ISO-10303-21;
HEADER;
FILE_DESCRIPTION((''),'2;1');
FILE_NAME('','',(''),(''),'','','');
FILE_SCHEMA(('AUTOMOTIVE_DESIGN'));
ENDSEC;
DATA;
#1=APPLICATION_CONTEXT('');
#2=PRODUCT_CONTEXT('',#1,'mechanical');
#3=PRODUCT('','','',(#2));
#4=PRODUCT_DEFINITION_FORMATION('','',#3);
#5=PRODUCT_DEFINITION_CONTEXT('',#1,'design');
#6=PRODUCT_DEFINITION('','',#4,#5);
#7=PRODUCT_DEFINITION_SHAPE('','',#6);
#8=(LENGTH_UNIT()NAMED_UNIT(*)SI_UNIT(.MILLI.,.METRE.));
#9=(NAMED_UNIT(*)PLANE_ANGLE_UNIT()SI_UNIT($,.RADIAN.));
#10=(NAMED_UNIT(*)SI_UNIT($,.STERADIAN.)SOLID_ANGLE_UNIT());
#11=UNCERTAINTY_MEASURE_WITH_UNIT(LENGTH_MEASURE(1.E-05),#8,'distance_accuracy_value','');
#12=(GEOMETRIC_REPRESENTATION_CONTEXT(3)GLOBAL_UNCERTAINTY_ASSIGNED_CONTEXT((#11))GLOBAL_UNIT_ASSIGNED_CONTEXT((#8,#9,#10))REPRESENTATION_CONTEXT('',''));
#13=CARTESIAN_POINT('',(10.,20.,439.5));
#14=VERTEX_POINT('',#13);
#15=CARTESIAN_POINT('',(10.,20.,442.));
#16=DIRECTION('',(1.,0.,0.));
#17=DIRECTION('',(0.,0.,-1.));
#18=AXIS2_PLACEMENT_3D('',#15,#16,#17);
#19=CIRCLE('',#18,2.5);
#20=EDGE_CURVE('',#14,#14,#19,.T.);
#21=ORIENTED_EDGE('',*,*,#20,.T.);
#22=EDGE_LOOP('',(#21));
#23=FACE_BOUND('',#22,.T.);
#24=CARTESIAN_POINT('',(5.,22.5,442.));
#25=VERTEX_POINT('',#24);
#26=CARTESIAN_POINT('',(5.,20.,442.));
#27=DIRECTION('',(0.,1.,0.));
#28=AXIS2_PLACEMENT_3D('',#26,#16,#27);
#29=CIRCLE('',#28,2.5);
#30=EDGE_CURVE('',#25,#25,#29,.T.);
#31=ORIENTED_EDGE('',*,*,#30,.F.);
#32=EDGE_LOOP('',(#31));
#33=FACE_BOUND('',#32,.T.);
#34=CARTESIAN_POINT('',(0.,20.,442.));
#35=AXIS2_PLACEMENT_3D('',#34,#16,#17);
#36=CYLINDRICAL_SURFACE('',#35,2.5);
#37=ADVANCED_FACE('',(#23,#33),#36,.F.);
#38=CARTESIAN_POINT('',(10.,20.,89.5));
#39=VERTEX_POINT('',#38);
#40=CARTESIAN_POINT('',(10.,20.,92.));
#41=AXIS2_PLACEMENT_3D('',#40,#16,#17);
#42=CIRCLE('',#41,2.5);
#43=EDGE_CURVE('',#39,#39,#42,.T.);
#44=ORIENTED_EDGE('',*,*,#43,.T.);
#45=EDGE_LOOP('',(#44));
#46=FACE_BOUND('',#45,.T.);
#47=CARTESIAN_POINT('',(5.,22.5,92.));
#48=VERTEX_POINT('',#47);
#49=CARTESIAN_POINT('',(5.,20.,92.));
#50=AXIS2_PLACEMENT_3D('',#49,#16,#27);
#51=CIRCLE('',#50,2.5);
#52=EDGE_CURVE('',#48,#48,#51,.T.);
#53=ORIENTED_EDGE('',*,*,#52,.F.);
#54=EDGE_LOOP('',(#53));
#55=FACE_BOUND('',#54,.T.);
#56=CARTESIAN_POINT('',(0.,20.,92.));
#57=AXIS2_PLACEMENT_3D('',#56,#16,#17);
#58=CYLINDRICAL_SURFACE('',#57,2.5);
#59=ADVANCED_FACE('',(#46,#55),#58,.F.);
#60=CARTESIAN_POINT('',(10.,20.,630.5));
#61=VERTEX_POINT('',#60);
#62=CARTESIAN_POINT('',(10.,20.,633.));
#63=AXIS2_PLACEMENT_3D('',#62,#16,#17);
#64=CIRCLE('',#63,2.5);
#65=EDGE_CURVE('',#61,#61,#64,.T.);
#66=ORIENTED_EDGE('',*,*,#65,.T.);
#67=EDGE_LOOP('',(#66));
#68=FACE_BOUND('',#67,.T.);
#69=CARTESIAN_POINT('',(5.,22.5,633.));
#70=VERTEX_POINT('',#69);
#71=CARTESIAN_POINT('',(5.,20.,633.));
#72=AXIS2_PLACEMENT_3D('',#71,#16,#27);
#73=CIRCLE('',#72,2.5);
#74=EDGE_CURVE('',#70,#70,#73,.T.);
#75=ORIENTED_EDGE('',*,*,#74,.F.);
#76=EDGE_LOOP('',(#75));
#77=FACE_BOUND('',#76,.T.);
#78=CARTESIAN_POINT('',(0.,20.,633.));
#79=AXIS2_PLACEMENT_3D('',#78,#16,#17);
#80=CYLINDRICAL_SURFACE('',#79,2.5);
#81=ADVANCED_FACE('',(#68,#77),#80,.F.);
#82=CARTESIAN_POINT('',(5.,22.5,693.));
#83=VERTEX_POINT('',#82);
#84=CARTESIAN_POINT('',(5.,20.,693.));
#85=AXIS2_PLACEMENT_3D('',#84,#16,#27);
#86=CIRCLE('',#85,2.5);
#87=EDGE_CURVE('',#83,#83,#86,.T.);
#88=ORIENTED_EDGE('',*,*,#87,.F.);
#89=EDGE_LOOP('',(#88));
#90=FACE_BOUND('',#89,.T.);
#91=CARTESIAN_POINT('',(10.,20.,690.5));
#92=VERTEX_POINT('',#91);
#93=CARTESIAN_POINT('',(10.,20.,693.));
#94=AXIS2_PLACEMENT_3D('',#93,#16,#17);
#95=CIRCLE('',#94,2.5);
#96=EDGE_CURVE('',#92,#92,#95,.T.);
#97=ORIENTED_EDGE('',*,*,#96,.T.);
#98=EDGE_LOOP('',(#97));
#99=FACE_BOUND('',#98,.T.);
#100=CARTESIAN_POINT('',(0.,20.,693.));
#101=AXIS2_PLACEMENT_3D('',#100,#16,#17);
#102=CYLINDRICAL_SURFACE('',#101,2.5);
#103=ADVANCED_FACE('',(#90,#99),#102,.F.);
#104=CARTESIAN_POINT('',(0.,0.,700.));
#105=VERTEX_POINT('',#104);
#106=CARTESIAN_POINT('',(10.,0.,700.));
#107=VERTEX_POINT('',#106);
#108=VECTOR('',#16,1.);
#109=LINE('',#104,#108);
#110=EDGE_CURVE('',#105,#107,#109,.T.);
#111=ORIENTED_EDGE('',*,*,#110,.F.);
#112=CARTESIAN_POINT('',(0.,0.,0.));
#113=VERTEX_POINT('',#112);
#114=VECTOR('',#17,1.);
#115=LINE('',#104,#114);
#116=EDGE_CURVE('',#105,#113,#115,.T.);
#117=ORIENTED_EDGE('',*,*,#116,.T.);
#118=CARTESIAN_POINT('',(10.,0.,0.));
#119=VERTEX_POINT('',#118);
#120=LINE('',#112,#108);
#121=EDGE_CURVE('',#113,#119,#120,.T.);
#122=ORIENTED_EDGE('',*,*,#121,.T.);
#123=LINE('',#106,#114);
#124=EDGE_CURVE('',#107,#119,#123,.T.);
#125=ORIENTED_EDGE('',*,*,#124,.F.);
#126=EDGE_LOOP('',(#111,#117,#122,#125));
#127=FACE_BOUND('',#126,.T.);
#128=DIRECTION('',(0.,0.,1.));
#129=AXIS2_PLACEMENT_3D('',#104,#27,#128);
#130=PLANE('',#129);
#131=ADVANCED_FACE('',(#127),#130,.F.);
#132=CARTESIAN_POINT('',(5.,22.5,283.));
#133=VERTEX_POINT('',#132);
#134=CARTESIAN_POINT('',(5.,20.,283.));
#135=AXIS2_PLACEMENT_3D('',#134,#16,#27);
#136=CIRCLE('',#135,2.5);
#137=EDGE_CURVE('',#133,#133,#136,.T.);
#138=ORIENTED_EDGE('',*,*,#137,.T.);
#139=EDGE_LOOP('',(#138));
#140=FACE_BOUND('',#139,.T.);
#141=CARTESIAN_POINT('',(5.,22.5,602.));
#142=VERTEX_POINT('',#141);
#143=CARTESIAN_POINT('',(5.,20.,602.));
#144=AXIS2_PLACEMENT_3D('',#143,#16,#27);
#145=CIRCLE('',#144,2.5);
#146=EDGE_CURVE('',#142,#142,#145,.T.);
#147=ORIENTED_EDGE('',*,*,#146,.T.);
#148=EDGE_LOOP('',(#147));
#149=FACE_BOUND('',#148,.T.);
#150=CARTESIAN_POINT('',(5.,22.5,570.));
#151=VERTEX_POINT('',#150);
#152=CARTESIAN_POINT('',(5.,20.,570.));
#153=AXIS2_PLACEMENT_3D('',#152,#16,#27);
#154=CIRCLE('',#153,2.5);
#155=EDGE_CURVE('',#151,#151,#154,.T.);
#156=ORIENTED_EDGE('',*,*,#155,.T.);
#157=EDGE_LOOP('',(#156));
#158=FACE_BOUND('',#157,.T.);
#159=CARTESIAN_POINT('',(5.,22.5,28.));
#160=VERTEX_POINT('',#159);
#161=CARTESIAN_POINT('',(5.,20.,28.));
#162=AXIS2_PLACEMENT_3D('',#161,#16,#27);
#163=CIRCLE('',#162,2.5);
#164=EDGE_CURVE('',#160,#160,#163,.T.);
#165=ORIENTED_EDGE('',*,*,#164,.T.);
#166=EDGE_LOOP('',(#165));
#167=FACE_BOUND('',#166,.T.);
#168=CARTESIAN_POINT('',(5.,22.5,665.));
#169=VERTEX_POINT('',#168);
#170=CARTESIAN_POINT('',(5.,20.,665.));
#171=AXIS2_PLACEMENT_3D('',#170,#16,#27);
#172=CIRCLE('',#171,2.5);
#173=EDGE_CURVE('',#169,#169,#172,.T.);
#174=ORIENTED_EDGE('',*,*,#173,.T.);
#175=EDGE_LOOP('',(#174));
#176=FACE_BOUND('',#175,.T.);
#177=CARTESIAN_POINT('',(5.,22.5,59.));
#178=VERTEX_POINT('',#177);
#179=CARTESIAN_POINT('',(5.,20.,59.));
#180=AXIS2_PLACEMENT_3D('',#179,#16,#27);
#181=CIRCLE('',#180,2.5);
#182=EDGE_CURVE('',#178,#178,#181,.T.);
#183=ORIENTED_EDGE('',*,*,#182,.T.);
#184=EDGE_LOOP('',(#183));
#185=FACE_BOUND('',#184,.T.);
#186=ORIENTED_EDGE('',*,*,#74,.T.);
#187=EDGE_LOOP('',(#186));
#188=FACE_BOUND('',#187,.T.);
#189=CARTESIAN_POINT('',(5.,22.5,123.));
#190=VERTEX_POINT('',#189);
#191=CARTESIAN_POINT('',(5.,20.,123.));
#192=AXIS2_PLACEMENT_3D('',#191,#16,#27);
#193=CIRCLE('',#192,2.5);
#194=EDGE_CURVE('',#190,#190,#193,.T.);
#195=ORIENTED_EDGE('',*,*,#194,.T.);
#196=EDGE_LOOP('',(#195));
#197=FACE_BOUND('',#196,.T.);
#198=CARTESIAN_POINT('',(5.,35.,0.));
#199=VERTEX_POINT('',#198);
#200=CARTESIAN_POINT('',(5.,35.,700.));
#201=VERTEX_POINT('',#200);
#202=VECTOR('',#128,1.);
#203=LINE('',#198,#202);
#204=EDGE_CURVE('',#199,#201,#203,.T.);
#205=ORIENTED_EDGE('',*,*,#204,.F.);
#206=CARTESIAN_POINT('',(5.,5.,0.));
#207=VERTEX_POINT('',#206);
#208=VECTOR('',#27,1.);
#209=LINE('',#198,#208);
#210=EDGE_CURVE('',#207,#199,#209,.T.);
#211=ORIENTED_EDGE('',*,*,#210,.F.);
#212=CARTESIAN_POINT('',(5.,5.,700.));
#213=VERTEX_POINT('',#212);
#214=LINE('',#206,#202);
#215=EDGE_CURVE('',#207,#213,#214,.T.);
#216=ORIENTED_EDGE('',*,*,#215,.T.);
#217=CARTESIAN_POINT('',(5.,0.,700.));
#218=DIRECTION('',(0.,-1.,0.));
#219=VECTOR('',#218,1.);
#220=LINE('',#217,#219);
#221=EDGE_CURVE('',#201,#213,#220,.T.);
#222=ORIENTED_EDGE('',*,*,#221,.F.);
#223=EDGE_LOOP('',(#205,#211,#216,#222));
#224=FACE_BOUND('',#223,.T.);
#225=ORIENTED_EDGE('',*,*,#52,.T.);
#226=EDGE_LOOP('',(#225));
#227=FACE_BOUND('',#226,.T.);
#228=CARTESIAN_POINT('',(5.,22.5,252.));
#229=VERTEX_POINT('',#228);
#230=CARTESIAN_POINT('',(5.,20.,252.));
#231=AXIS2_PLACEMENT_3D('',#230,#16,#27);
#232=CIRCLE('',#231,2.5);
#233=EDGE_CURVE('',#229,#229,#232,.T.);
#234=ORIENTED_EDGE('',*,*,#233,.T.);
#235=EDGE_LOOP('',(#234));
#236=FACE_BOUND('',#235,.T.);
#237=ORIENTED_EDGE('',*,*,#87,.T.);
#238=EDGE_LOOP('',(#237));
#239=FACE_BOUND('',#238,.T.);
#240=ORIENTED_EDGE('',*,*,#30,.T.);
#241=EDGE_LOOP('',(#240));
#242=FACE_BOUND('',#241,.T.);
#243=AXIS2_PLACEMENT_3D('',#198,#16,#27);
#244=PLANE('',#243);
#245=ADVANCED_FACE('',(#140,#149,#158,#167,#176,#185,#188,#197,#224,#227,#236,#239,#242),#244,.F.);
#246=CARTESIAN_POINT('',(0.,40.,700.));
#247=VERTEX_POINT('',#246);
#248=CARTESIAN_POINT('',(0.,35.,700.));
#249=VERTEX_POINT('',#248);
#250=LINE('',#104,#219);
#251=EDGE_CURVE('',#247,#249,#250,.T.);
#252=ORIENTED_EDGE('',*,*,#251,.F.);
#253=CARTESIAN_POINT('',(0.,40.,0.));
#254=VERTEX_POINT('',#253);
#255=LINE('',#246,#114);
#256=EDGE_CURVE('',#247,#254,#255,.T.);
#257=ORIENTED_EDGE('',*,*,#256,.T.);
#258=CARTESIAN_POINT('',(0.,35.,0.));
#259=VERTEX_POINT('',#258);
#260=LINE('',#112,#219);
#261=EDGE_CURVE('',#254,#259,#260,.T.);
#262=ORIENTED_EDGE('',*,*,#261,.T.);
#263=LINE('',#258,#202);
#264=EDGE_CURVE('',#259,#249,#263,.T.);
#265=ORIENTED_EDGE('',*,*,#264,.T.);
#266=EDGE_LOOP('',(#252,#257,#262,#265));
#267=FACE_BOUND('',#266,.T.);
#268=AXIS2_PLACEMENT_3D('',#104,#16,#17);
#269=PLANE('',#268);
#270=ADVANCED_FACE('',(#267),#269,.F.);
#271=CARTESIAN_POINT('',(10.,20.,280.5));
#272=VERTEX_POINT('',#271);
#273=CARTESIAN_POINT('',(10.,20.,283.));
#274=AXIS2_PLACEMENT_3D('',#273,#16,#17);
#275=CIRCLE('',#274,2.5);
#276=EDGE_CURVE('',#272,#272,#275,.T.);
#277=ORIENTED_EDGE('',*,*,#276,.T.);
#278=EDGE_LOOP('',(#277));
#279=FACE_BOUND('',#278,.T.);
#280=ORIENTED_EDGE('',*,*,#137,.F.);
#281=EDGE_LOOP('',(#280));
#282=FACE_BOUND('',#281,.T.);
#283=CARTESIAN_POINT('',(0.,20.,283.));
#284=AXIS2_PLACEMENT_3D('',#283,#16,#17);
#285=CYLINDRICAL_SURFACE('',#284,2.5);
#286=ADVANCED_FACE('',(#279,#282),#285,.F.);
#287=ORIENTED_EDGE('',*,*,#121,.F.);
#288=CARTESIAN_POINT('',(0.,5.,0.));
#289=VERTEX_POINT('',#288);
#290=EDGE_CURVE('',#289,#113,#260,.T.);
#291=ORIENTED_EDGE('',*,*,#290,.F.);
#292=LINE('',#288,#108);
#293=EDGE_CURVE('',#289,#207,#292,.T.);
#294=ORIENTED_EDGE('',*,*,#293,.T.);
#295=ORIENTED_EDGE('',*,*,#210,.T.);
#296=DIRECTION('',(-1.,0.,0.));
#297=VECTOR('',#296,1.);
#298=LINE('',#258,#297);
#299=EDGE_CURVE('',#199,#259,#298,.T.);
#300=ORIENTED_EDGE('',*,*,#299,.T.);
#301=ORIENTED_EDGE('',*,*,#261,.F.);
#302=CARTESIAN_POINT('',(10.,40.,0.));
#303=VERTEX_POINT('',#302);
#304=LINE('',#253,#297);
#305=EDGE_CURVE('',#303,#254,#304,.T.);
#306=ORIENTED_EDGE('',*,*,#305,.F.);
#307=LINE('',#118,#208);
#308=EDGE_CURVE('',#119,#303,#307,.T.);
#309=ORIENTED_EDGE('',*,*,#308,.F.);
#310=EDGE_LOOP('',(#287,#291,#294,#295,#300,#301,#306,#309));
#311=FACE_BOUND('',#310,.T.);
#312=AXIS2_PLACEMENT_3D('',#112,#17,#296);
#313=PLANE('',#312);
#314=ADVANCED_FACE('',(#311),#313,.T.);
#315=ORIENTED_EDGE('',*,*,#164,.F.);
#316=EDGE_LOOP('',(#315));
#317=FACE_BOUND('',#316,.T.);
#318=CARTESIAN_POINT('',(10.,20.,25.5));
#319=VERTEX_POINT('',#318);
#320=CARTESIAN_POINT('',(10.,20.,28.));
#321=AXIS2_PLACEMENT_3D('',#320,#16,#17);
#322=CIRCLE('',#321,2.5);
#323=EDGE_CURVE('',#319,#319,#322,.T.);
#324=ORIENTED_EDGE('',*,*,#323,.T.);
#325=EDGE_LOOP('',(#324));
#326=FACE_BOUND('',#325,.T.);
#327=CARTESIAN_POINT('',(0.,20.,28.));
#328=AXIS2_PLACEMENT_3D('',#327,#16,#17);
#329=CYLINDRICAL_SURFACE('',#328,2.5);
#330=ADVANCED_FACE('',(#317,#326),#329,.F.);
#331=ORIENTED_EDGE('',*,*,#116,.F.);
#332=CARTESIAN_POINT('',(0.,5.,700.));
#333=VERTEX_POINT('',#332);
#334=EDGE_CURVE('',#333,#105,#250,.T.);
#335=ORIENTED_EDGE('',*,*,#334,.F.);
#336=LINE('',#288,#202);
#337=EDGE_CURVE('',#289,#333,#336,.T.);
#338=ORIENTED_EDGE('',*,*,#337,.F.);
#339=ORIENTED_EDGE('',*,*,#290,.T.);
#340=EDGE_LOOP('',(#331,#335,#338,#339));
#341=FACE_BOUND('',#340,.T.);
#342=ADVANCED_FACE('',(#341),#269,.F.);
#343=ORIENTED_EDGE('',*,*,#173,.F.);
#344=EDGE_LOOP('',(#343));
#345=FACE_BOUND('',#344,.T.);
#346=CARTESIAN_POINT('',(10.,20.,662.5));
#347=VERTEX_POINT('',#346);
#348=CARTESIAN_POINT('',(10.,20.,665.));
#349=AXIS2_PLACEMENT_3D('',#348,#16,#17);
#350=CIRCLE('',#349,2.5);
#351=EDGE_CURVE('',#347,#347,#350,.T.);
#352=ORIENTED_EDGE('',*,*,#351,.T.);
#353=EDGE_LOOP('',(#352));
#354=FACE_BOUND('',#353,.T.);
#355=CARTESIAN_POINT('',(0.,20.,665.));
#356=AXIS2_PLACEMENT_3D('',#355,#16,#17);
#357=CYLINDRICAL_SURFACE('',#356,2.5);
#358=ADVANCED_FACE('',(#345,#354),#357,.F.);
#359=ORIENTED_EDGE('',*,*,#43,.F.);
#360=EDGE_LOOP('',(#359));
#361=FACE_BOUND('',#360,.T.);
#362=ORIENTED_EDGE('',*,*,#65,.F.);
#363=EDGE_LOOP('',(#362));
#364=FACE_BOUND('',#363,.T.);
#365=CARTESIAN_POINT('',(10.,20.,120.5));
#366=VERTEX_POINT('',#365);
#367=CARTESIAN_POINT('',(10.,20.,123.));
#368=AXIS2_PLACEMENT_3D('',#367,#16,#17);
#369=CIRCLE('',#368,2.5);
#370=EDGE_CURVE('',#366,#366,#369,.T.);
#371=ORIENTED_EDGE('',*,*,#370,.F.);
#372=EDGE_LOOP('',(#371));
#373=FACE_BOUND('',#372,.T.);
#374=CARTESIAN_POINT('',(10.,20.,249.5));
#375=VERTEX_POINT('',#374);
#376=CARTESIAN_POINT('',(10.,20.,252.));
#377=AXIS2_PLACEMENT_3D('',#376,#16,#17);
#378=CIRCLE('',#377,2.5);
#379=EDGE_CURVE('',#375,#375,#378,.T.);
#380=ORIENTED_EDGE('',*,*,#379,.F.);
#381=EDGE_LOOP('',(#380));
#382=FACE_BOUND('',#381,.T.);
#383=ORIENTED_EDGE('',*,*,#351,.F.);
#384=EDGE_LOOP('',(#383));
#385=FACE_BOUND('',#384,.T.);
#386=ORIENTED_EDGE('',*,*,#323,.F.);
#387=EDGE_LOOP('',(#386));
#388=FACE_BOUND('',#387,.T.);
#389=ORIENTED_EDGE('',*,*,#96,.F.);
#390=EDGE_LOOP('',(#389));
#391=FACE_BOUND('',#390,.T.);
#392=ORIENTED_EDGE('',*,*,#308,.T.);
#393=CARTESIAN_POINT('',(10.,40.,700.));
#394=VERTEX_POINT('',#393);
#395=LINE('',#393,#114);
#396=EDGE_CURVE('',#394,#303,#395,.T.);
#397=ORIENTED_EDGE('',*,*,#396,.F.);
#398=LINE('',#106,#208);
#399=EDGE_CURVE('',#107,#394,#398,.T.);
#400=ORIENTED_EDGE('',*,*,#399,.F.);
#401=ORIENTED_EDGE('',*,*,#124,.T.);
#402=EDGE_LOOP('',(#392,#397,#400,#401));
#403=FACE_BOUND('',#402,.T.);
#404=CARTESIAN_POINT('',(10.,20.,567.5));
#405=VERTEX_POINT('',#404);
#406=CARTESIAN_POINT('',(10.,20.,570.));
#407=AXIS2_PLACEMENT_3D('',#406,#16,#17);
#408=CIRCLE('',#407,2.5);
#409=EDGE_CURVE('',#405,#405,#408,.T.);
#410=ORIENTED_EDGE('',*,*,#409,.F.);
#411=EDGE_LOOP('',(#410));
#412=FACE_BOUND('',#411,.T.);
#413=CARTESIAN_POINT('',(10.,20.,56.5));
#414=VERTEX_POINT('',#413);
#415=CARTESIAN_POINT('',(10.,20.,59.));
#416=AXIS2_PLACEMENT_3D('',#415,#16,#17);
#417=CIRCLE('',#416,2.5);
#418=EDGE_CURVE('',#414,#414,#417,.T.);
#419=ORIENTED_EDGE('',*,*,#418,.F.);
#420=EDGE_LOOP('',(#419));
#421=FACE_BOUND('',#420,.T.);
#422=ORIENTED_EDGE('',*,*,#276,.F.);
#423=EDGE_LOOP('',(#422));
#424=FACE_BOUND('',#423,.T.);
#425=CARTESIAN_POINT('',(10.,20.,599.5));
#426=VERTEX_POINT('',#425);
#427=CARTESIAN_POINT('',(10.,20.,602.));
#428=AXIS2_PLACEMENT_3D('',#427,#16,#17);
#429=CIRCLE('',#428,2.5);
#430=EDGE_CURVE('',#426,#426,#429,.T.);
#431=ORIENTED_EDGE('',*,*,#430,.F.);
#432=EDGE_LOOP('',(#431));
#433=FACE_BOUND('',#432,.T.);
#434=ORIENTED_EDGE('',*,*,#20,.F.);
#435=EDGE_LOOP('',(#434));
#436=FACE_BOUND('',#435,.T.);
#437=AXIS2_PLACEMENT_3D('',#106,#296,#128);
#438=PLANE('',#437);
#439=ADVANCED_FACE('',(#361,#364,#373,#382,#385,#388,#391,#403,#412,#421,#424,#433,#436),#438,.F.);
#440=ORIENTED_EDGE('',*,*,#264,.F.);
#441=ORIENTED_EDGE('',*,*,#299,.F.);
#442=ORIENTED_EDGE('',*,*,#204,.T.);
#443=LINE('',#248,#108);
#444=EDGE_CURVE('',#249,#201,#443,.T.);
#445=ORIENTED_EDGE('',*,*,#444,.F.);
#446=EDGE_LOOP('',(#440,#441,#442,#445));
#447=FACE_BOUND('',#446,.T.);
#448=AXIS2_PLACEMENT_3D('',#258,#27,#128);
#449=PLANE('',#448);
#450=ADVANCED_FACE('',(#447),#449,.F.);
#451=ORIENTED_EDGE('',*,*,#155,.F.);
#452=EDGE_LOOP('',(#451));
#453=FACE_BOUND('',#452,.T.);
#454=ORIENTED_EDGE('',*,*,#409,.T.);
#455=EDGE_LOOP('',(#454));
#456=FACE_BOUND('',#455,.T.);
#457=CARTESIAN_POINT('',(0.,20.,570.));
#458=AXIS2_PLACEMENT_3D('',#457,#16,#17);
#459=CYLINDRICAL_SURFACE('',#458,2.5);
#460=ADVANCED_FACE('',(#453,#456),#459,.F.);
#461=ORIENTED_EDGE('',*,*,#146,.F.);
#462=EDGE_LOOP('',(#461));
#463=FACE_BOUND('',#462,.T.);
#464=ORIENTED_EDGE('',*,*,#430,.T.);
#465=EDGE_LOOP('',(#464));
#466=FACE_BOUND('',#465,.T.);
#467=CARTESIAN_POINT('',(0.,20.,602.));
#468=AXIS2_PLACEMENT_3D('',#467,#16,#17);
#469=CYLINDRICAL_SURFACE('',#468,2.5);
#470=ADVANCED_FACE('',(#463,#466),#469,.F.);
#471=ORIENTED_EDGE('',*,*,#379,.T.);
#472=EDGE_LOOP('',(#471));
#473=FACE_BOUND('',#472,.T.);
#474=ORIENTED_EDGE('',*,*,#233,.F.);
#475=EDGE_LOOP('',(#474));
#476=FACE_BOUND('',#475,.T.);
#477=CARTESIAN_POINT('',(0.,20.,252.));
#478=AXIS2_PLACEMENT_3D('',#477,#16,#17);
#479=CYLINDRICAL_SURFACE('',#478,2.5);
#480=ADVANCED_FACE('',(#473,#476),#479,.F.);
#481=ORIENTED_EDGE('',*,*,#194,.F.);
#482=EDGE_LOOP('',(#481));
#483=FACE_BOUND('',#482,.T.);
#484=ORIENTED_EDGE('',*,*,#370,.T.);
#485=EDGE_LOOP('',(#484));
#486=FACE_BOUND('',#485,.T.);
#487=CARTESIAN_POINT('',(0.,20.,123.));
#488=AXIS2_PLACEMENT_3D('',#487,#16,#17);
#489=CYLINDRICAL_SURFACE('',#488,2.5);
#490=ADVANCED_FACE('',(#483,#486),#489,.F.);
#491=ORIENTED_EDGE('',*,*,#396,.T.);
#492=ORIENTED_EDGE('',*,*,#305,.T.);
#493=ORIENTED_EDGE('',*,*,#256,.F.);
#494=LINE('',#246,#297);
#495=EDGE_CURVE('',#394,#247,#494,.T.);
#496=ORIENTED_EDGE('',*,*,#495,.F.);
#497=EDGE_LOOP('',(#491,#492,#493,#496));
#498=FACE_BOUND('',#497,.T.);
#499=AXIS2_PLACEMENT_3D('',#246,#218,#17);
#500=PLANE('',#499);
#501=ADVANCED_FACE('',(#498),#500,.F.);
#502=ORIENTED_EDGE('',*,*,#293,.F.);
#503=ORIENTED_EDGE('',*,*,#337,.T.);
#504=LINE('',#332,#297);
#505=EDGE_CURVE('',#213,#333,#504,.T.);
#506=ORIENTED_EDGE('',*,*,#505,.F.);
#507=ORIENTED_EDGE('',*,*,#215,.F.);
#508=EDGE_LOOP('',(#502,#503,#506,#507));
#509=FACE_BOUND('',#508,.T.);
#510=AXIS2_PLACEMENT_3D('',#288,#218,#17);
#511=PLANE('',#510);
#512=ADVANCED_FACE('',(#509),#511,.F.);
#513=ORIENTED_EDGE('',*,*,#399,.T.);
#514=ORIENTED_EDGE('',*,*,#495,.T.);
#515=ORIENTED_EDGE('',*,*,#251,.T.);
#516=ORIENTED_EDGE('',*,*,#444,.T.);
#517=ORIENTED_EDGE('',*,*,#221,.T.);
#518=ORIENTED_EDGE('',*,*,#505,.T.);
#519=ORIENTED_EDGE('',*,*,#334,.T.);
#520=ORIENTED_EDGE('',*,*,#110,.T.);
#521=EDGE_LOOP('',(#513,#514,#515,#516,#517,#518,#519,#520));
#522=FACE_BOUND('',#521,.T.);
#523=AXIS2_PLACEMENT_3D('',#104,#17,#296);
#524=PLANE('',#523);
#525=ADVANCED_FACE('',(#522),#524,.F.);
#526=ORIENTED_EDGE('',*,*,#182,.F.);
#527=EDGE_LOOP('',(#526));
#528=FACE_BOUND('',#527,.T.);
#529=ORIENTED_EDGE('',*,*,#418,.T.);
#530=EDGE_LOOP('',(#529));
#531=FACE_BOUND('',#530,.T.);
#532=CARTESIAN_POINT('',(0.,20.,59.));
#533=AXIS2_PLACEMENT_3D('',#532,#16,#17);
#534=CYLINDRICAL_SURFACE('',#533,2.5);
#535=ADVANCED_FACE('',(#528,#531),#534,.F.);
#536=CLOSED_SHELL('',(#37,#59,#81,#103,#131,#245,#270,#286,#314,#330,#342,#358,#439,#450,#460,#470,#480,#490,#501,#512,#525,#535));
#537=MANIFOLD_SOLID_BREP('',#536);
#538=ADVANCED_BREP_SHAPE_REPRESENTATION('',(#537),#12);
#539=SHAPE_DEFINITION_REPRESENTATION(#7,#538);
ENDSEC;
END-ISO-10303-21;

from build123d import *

# Parameters (mm, degrees)
SKETCH1_W               = 10
SKETCH1_H               = 40
BOSS_EXTRUDE1_DEPTH     = 700
CUT_EXTRUDE1_DEPTH      = 702.21323433
CUT_EXTRUDE1_DEPTH_BACK = 702.21323433
SKETCH2_W               = 5
SKETCH2_H               = 30
SKETCH3_R               = 2.5
CUT_EXTRUDE2_DEPTH      = 702.21323433


with BuildPart() as part:
    # Sketch1 → Boss-Extrude1 (new body)
    with BuildSketch(Plane.XY):
        with Locations((5, 20)):
            Rectangle(SKETCH1_W, SKETCH1_H)
    extrude(amount=BOSS_EXTRUDE1_DEPTH)

    # Sketch2 → Cut-Extrude1 (cut, two sides: drawn at the far end of the back side and taken through both)
    with BuildSketch(Plane.XY.offset(700).offset(-CUT_EXTRUDE1_DEPTH_BACK)):
        with Locations((2.5, 20)):
            Rectangle(SKETCH2_W, SKETCH2_H)
    extrude(amount=CUT_EXTRUDE1_DEPTH + CUT_EXTRUDE1_DEPTH_BACK, mode=Mode.SUBTRACT)

    # Sketch3 → Cut-Extrude2 (cut, through all)
    with BuildSketch(Plane(origin=(10, 0, 0), x_dir=(0, 0, -1), z_dir=(1, 0, 0))):
        with Locations((-693, 20)):
            Circle(SKETCH3_R)
        with Locations((-665, 20)):
            Circle(SKETCH3_R)
        with Locations((-633, 20)):
            Circle(SKETCH3_R)
        with Locations((-602, 20)):
            Circle(SKETCH3_R)
        with Locations((-570, 20)):
            Circle(SKETCH3_R)
        with Locations((-442, 20)):
            Circle(SKETCH3_R)
        with Locations((-283, 20)):
            Circle(SKETCH3_R)
        with Locations((-252, 20)):
            Circle(SKETCH3_R)
        with Locations((-123, 20)):
            Circle(SKETCH3_R)
        with Locations((-92, 20)):
            Circle(SKETCH3_R)
        with Locations((-59, 20)):
            Circle(SKETCH3_R)
        with Locations((-28, 20)):
            Circle(SKETCH3_R)
    extrude(amount=-CUT_EXTRUDE2_DEPTH, mode=Mode.SUBTRACT)


solid = part.part
